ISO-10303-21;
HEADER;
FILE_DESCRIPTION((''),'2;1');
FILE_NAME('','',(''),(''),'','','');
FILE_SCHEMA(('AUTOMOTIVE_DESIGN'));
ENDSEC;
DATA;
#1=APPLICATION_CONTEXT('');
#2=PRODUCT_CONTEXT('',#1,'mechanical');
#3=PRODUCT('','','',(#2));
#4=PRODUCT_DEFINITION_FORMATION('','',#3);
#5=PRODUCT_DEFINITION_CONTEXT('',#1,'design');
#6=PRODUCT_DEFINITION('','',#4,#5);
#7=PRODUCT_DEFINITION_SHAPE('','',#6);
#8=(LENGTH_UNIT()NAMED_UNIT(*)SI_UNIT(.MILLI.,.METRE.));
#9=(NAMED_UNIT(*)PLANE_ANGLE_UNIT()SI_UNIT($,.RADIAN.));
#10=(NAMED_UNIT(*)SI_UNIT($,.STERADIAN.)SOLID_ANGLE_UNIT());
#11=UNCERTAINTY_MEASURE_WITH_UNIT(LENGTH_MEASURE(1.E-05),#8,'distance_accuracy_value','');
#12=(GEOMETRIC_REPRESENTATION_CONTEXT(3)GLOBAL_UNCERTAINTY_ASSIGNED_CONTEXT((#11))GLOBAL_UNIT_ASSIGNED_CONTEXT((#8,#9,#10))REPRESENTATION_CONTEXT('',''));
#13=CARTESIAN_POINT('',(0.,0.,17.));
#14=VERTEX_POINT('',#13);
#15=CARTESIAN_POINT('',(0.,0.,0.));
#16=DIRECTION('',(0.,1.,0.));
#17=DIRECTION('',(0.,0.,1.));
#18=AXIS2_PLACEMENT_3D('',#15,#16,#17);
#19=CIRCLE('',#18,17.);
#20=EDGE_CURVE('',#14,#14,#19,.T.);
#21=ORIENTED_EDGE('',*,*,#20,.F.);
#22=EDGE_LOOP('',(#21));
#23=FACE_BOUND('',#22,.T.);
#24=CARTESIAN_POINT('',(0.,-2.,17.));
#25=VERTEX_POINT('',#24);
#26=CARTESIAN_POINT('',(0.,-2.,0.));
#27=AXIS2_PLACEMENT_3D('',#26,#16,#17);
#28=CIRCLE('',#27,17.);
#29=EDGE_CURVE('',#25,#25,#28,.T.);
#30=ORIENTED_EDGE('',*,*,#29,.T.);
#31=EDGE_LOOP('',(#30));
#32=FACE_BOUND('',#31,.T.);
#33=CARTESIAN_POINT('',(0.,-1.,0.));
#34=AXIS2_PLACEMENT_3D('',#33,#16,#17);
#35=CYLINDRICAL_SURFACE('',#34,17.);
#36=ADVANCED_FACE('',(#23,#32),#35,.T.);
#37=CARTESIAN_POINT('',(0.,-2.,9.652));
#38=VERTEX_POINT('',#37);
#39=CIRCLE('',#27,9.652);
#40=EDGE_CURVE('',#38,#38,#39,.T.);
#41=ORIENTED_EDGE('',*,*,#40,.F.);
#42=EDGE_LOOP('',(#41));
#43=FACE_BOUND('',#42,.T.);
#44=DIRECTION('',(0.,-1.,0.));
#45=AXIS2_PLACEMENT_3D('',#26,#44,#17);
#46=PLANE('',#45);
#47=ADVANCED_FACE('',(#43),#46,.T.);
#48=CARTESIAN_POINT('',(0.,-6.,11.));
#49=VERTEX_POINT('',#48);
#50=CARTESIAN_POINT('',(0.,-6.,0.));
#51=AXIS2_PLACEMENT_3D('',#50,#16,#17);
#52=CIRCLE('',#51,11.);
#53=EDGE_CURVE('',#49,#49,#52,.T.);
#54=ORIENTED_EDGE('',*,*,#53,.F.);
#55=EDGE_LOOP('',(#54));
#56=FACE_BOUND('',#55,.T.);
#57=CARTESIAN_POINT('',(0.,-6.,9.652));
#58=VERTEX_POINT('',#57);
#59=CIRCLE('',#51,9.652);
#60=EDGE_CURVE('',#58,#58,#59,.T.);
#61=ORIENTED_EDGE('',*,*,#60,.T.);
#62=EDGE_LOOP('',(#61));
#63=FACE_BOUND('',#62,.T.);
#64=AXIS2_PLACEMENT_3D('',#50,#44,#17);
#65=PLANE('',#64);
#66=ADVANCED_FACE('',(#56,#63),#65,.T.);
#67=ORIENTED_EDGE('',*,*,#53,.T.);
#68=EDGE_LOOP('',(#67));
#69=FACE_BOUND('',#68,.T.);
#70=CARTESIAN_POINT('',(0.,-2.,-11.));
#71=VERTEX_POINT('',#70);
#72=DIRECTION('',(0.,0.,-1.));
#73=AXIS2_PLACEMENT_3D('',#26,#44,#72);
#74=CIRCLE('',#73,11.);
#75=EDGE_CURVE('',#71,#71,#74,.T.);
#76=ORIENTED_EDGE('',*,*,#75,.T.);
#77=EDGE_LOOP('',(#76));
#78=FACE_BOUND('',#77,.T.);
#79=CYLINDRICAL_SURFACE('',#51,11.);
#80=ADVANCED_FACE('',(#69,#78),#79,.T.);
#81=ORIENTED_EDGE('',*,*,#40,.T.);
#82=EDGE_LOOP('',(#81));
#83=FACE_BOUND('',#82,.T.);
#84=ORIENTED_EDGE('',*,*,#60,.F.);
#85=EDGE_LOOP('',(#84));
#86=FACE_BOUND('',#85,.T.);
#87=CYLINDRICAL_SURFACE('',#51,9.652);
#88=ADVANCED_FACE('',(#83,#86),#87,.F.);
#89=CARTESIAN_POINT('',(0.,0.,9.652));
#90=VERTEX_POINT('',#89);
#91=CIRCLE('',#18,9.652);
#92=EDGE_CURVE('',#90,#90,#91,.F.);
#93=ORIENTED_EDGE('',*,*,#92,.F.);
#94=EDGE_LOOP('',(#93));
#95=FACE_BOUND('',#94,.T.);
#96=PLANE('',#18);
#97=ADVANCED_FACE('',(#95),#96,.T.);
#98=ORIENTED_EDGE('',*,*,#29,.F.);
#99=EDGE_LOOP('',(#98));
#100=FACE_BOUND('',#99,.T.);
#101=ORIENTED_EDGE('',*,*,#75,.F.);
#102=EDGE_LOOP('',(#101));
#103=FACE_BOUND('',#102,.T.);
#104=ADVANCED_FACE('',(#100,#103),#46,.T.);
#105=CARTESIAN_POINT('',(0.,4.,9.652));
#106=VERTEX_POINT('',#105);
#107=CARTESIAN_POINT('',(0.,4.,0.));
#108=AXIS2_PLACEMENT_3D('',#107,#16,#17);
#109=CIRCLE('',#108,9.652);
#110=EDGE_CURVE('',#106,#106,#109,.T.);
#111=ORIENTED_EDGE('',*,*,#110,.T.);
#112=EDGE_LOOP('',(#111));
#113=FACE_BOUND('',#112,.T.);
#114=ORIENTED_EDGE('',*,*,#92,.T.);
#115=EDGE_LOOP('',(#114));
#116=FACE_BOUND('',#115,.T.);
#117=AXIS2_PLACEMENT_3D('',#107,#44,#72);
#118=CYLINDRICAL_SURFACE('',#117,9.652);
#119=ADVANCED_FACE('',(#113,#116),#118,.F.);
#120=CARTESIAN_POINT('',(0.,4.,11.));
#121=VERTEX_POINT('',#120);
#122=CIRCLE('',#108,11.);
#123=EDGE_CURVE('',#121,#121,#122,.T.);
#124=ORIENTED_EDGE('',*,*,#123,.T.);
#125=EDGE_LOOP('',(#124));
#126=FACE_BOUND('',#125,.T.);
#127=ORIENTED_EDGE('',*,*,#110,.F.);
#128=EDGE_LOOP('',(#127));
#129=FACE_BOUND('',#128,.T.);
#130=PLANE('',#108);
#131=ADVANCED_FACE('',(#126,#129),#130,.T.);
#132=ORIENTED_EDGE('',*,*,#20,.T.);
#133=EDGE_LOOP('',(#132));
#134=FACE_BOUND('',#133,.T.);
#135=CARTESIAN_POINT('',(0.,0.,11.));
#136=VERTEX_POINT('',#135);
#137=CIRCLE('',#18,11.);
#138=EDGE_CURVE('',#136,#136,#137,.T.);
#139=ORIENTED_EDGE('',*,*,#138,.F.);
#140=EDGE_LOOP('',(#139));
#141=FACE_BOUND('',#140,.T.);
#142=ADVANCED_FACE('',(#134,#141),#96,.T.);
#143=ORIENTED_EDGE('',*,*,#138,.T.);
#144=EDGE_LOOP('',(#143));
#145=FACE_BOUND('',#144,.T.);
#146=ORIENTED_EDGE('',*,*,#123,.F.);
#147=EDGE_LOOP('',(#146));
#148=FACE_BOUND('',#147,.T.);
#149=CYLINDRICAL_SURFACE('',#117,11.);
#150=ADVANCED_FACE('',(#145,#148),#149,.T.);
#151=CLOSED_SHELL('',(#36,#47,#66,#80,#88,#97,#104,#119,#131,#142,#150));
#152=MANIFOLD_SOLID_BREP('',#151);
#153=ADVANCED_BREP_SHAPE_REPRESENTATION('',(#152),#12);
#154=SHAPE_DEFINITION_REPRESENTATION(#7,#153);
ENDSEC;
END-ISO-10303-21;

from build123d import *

# Parameters (mm, degrees)
SKETCH1_R           = 17
BOSS_EXTRUDE1_DEPTH = 1
SKETCH2_R           = 11
SKETCH2_R_2         = 9.652
BOSS_EXTRUDE2_DEPTH = 4


with BuildPart() as part:
    # Sketch1 → Boss-Extrude1 (new body)
    with BuildSketch(Plane(origin=(0, 0, 0), x_dir=(1, 0, 0), z_dir=(0, 1, 0))):
        with Locations(Location((0, 0, 0), (0, 0, 270))):
            Circle(SKETCH1_R)
    boss_extrude1 = extrude(amount=-BOSS_EXTRUDE1_DEPTH)

    # Sketch2 → Boss-Extrude2 (add)
    with BuildSketch(Plane(origin=(0, 0, 0), x_dir=(1, 0, 0), z_dir=(0, 1, 0))):
        with Locations(Location((0, 0, 0), (0, 0, 270))):
            Circle(SKETCH2_R)
        with Locations(Location((0, 0, 0), (0, 0, 270))):
            Circle(SKETCH2_R_2, mode=Mode.SUBTRACT)
    boss_extrude2 = extrude(amount=BOSS_EXTRUDE2_DEPTH)

    # Mirror1: Boss-Extrude1, Boss-Extrude2 across plane
    add(boss_extrude1.mirror(Plane.ZX.offset(-1)))
    add(boss_extrude2.mirror(Plane.ZX.offset(-1)))


solid = part.part
